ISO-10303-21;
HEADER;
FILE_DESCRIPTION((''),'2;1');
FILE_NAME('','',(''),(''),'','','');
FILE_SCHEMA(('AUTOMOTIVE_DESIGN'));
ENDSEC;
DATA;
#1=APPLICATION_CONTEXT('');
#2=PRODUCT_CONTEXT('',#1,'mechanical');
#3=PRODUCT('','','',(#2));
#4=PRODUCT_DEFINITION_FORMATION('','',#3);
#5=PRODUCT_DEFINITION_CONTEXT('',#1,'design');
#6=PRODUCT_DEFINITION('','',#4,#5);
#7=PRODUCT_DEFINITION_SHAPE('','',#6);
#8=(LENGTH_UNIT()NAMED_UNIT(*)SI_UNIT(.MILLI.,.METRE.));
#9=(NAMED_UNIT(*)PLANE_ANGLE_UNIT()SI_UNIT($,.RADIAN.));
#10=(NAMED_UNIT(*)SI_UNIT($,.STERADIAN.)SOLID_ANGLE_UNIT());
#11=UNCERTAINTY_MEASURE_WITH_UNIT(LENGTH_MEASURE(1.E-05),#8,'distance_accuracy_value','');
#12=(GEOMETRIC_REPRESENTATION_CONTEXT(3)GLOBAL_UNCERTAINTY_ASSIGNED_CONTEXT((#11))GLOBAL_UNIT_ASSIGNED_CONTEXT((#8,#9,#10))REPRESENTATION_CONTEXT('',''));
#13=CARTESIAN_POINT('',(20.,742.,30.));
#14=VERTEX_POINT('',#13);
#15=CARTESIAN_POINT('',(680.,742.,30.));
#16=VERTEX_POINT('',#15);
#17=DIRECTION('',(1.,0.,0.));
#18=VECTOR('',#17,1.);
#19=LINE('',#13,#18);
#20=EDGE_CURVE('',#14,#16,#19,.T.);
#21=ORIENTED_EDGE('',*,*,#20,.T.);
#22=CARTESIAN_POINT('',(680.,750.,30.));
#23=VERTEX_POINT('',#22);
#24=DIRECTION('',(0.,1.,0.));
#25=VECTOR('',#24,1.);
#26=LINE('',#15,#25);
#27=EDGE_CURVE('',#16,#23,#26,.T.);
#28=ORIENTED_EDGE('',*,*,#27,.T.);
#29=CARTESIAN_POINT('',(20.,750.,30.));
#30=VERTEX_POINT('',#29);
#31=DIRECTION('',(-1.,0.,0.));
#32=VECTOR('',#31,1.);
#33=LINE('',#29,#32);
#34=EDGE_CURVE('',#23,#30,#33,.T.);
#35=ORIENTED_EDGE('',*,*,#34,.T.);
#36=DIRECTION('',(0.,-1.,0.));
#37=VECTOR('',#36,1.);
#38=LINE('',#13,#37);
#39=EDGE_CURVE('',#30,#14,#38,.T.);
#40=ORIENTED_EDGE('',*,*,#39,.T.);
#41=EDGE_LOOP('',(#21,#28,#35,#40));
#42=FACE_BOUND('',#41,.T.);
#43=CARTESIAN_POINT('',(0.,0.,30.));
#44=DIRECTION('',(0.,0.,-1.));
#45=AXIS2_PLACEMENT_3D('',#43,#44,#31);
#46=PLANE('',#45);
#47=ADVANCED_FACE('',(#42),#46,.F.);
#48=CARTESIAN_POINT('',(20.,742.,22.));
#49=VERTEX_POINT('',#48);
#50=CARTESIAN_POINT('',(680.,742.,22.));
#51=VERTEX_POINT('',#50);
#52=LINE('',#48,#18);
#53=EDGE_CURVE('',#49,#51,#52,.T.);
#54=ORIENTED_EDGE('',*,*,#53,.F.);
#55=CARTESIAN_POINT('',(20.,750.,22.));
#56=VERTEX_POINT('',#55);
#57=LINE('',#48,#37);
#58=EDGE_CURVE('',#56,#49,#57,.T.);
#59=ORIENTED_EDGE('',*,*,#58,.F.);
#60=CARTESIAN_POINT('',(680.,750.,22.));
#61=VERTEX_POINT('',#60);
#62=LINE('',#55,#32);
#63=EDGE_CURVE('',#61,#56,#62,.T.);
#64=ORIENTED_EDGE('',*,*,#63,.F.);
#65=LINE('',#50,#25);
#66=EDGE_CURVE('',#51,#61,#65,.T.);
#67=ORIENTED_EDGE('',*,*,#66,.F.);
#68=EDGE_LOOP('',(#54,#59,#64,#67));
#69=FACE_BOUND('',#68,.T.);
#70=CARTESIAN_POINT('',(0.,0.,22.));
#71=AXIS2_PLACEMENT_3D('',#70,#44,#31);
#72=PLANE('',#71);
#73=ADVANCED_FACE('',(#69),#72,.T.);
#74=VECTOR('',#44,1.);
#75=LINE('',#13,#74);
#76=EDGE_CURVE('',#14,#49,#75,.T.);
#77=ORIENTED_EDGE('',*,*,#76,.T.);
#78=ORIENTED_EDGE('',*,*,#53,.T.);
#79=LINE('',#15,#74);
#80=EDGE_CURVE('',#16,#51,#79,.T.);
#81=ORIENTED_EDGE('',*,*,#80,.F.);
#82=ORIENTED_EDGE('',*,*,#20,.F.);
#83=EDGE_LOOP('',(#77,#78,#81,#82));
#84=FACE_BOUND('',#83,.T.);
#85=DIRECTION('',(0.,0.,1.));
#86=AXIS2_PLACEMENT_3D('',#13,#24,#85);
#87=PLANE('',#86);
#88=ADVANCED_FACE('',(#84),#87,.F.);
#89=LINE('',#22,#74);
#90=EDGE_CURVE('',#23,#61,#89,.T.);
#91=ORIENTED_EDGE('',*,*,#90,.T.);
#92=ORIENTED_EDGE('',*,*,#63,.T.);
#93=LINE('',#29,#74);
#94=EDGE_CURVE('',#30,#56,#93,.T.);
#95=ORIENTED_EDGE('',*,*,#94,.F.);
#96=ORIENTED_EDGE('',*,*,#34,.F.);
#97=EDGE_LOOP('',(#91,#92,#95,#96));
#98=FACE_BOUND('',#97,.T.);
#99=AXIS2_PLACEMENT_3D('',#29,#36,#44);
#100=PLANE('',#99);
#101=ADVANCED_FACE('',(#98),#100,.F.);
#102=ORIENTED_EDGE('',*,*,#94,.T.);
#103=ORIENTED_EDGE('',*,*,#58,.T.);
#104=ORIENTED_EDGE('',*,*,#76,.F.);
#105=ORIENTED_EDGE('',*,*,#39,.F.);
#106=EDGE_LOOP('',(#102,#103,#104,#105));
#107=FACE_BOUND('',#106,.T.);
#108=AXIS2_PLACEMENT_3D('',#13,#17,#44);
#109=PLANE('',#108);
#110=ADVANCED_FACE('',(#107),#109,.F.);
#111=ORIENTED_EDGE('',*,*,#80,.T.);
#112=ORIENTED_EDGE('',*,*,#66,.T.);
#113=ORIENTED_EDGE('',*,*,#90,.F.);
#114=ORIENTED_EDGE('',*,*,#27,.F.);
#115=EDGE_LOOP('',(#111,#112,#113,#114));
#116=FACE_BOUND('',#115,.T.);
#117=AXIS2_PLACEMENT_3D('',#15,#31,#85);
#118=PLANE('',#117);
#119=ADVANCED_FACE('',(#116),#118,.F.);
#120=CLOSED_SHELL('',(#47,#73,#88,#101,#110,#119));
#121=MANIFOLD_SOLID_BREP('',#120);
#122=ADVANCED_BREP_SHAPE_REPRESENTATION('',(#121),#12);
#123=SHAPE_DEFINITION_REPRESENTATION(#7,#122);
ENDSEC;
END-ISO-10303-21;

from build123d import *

# Parameters (mm, degrees)
TOPPING_KLAPE_KAT3_PIVOT_MIL_1_START = 22
SKETCH1_W                            = 660
SKETCH1_H                            = 8
TOPPING_KLAPE_KAT3_PIVOT_MIL_1_DEPTH = 8


with BuildPart() as part:
    # Sketch1 → TOPPING_klape_kat3_pivot_mil_1 (new body)
    with BuildSketch(Plane.XY.offset(TOPPING_KLAPE_KAT3_PIVOT_MIL_1_START)):
        with Locations((350, 746)):
            Rectangle(SKETCH1_W, SKETCH1_H)
    extrude(amount=TOPPING_KLAPE_KAT3_PIVOT_MIL_1_DEPTH)


solid = part.part
